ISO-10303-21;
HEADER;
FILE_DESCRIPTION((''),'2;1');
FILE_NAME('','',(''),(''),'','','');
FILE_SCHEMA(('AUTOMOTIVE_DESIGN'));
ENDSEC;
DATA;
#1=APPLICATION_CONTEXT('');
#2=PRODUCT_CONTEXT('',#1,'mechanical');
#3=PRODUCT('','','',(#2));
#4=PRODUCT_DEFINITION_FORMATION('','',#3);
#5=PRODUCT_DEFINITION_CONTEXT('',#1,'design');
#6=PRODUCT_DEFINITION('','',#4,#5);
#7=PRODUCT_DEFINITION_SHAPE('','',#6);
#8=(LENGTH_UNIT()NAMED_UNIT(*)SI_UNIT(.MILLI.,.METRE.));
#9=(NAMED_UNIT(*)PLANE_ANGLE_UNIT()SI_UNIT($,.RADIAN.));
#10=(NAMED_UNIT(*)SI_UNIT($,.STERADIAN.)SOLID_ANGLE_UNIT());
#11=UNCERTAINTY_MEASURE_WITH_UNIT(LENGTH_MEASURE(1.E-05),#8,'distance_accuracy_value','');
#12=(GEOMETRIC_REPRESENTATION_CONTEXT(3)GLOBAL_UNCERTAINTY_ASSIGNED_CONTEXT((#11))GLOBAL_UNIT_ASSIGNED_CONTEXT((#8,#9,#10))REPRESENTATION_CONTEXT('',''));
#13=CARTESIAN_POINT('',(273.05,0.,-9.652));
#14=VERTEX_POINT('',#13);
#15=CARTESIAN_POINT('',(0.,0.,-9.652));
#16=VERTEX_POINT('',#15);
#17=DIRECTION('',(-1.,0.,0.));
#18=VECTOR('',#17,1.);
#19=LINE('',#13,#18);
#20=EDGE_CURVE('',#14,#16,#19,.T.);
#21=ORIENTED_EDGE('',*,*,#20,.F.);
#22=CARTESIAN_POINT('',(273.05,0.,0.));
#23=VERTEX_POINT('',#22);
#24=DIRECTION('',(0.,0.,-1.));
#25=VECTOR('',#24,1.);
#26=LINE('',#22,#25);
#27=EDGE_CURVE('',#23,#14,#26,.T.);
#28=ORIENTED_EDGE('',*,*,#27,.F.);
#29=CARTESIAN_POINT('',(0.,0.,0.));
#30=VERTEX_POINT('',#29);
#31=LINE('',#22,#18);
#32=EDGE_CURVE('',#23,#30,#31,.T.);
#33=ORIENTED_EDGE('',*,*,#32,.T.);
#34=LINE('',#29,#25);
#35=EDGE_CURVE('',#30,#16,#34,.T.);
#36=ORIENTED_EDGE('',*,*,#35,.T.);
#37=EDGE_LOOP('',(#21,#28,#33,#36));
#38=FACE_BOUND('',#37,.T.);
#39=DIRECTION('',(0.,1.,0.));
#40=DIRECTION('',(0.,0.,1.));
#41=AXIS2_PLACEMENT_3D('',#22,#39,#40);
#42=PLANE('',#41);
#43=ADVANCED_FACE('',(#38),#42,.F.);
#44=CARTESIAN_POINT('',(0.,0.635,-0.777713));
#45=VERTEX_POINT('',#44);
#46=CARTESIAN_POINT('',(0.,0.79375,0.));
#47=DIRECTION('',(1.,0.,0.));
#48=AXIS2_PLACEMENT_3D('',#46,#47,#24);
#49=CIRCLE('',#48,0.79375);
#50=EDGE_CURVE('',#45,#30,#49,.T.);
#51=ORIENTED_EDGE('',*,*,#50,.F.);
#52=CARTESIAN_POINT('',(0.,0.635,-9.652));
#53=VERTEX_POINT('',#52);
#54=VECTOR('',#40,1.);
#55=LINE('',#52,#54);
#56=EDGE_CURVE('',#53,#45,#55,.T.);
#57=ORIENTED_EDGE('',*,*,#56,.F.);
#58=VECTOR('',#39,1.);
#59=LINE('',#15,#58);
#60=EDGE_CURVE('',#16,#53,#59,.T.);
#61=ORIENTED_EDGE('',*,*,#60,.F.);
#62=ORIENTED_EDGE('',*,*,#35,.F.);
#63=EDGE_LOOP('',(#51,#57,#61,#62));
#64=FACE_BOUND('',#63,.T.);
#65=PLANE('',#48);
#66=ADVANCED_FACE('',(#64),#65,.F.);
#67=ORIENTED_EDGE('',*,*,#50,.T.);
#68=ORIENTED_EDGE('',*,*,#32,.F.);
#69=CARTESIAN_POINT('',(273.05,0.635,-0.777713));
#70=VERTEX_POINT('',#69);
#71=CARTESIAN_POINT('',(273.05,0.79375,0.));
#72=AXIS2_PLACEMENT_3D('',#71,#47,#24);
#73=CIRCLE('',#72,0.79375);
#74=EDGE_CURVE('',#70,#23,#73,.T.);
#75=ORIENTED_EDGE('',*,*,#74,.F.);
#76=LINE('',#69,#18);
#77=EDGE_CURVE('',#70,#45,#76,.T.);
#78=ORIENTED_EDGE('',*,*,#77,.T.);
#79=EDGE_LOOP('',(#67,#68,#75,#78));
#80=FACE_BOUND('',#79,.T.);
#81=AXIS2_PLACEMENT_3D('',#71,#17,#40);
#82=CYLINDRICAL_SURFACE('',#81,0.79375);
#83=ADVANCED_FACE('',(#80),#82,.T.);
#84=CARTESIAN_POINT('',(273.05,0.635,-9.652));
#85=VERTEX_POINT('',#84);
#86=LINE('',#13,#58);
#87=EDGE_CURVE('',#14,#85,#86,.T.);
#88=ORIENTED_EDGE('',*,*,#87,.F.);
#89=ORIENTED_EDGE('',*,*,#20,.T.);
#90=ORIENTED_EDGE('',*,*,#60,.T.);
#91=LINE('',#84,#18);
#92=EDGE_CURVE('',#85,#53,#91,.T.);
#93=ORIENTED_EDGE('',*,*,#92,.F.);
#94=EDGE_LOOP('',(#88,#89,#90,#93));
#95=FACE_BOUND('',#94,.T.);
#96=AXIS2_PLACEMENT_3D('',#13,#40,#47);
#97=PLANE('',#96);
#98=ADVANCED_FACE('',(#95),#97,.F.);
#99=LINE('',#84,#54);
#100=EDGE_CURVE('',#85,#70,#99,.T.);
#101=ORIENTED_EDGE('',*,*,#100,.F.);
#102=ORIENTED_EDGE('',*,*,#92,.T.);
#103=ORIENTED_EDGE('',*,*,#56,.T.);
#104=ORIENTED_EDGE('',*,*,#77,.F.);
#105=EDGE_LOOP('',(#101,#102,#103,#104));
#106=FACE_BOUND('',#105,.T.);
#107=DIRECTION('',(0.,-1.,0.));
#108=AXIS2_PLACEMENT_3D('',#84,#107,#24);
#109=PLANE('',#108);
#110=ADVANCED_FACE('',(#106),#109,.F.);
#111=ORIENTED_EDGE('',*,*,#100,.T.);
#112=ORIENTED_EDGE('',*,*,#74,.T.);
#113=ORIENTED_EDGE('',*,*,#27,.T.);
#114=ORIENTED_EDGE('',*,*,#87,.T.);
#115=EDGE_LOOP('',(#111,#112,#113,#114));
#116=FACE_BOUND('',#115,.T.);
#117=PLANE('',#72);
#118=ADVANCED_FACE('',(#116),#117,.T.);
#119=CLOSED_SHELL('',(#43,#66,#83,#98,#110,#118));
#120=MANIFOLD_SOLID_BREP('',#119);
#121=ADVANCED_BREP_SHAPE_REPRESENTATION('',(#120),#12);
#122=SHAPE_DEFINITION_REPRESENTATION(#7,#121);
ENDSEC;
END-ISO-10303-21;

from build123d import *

# Parameters (mm, degrees)
BOSS_EXTRUDE1_DEPTH = 273.05


with BuildPart() as part:
    # Sketch1 → Boss-Extrude1 (new body)
    with BuildSketch(Plane(origin=(0, 0, 0), x_dir=(0, 0, -1), z_dir=(1, 0, 0))):
        with BuildLine():
            Line((0, 0), (9.652, 0))
            Line((9.652, 0), (9.652, 0.635))
            Line((9.652, 0.635), (0.777712993, 0.635))
            ThreePointArc((0.777712993, 0.635), (-0.502011579, 1.408586106), (0, 0))
        make_face()
    extrude(amount=BOSS_EXTRUDE1_DEPTH)


solid = part.part
